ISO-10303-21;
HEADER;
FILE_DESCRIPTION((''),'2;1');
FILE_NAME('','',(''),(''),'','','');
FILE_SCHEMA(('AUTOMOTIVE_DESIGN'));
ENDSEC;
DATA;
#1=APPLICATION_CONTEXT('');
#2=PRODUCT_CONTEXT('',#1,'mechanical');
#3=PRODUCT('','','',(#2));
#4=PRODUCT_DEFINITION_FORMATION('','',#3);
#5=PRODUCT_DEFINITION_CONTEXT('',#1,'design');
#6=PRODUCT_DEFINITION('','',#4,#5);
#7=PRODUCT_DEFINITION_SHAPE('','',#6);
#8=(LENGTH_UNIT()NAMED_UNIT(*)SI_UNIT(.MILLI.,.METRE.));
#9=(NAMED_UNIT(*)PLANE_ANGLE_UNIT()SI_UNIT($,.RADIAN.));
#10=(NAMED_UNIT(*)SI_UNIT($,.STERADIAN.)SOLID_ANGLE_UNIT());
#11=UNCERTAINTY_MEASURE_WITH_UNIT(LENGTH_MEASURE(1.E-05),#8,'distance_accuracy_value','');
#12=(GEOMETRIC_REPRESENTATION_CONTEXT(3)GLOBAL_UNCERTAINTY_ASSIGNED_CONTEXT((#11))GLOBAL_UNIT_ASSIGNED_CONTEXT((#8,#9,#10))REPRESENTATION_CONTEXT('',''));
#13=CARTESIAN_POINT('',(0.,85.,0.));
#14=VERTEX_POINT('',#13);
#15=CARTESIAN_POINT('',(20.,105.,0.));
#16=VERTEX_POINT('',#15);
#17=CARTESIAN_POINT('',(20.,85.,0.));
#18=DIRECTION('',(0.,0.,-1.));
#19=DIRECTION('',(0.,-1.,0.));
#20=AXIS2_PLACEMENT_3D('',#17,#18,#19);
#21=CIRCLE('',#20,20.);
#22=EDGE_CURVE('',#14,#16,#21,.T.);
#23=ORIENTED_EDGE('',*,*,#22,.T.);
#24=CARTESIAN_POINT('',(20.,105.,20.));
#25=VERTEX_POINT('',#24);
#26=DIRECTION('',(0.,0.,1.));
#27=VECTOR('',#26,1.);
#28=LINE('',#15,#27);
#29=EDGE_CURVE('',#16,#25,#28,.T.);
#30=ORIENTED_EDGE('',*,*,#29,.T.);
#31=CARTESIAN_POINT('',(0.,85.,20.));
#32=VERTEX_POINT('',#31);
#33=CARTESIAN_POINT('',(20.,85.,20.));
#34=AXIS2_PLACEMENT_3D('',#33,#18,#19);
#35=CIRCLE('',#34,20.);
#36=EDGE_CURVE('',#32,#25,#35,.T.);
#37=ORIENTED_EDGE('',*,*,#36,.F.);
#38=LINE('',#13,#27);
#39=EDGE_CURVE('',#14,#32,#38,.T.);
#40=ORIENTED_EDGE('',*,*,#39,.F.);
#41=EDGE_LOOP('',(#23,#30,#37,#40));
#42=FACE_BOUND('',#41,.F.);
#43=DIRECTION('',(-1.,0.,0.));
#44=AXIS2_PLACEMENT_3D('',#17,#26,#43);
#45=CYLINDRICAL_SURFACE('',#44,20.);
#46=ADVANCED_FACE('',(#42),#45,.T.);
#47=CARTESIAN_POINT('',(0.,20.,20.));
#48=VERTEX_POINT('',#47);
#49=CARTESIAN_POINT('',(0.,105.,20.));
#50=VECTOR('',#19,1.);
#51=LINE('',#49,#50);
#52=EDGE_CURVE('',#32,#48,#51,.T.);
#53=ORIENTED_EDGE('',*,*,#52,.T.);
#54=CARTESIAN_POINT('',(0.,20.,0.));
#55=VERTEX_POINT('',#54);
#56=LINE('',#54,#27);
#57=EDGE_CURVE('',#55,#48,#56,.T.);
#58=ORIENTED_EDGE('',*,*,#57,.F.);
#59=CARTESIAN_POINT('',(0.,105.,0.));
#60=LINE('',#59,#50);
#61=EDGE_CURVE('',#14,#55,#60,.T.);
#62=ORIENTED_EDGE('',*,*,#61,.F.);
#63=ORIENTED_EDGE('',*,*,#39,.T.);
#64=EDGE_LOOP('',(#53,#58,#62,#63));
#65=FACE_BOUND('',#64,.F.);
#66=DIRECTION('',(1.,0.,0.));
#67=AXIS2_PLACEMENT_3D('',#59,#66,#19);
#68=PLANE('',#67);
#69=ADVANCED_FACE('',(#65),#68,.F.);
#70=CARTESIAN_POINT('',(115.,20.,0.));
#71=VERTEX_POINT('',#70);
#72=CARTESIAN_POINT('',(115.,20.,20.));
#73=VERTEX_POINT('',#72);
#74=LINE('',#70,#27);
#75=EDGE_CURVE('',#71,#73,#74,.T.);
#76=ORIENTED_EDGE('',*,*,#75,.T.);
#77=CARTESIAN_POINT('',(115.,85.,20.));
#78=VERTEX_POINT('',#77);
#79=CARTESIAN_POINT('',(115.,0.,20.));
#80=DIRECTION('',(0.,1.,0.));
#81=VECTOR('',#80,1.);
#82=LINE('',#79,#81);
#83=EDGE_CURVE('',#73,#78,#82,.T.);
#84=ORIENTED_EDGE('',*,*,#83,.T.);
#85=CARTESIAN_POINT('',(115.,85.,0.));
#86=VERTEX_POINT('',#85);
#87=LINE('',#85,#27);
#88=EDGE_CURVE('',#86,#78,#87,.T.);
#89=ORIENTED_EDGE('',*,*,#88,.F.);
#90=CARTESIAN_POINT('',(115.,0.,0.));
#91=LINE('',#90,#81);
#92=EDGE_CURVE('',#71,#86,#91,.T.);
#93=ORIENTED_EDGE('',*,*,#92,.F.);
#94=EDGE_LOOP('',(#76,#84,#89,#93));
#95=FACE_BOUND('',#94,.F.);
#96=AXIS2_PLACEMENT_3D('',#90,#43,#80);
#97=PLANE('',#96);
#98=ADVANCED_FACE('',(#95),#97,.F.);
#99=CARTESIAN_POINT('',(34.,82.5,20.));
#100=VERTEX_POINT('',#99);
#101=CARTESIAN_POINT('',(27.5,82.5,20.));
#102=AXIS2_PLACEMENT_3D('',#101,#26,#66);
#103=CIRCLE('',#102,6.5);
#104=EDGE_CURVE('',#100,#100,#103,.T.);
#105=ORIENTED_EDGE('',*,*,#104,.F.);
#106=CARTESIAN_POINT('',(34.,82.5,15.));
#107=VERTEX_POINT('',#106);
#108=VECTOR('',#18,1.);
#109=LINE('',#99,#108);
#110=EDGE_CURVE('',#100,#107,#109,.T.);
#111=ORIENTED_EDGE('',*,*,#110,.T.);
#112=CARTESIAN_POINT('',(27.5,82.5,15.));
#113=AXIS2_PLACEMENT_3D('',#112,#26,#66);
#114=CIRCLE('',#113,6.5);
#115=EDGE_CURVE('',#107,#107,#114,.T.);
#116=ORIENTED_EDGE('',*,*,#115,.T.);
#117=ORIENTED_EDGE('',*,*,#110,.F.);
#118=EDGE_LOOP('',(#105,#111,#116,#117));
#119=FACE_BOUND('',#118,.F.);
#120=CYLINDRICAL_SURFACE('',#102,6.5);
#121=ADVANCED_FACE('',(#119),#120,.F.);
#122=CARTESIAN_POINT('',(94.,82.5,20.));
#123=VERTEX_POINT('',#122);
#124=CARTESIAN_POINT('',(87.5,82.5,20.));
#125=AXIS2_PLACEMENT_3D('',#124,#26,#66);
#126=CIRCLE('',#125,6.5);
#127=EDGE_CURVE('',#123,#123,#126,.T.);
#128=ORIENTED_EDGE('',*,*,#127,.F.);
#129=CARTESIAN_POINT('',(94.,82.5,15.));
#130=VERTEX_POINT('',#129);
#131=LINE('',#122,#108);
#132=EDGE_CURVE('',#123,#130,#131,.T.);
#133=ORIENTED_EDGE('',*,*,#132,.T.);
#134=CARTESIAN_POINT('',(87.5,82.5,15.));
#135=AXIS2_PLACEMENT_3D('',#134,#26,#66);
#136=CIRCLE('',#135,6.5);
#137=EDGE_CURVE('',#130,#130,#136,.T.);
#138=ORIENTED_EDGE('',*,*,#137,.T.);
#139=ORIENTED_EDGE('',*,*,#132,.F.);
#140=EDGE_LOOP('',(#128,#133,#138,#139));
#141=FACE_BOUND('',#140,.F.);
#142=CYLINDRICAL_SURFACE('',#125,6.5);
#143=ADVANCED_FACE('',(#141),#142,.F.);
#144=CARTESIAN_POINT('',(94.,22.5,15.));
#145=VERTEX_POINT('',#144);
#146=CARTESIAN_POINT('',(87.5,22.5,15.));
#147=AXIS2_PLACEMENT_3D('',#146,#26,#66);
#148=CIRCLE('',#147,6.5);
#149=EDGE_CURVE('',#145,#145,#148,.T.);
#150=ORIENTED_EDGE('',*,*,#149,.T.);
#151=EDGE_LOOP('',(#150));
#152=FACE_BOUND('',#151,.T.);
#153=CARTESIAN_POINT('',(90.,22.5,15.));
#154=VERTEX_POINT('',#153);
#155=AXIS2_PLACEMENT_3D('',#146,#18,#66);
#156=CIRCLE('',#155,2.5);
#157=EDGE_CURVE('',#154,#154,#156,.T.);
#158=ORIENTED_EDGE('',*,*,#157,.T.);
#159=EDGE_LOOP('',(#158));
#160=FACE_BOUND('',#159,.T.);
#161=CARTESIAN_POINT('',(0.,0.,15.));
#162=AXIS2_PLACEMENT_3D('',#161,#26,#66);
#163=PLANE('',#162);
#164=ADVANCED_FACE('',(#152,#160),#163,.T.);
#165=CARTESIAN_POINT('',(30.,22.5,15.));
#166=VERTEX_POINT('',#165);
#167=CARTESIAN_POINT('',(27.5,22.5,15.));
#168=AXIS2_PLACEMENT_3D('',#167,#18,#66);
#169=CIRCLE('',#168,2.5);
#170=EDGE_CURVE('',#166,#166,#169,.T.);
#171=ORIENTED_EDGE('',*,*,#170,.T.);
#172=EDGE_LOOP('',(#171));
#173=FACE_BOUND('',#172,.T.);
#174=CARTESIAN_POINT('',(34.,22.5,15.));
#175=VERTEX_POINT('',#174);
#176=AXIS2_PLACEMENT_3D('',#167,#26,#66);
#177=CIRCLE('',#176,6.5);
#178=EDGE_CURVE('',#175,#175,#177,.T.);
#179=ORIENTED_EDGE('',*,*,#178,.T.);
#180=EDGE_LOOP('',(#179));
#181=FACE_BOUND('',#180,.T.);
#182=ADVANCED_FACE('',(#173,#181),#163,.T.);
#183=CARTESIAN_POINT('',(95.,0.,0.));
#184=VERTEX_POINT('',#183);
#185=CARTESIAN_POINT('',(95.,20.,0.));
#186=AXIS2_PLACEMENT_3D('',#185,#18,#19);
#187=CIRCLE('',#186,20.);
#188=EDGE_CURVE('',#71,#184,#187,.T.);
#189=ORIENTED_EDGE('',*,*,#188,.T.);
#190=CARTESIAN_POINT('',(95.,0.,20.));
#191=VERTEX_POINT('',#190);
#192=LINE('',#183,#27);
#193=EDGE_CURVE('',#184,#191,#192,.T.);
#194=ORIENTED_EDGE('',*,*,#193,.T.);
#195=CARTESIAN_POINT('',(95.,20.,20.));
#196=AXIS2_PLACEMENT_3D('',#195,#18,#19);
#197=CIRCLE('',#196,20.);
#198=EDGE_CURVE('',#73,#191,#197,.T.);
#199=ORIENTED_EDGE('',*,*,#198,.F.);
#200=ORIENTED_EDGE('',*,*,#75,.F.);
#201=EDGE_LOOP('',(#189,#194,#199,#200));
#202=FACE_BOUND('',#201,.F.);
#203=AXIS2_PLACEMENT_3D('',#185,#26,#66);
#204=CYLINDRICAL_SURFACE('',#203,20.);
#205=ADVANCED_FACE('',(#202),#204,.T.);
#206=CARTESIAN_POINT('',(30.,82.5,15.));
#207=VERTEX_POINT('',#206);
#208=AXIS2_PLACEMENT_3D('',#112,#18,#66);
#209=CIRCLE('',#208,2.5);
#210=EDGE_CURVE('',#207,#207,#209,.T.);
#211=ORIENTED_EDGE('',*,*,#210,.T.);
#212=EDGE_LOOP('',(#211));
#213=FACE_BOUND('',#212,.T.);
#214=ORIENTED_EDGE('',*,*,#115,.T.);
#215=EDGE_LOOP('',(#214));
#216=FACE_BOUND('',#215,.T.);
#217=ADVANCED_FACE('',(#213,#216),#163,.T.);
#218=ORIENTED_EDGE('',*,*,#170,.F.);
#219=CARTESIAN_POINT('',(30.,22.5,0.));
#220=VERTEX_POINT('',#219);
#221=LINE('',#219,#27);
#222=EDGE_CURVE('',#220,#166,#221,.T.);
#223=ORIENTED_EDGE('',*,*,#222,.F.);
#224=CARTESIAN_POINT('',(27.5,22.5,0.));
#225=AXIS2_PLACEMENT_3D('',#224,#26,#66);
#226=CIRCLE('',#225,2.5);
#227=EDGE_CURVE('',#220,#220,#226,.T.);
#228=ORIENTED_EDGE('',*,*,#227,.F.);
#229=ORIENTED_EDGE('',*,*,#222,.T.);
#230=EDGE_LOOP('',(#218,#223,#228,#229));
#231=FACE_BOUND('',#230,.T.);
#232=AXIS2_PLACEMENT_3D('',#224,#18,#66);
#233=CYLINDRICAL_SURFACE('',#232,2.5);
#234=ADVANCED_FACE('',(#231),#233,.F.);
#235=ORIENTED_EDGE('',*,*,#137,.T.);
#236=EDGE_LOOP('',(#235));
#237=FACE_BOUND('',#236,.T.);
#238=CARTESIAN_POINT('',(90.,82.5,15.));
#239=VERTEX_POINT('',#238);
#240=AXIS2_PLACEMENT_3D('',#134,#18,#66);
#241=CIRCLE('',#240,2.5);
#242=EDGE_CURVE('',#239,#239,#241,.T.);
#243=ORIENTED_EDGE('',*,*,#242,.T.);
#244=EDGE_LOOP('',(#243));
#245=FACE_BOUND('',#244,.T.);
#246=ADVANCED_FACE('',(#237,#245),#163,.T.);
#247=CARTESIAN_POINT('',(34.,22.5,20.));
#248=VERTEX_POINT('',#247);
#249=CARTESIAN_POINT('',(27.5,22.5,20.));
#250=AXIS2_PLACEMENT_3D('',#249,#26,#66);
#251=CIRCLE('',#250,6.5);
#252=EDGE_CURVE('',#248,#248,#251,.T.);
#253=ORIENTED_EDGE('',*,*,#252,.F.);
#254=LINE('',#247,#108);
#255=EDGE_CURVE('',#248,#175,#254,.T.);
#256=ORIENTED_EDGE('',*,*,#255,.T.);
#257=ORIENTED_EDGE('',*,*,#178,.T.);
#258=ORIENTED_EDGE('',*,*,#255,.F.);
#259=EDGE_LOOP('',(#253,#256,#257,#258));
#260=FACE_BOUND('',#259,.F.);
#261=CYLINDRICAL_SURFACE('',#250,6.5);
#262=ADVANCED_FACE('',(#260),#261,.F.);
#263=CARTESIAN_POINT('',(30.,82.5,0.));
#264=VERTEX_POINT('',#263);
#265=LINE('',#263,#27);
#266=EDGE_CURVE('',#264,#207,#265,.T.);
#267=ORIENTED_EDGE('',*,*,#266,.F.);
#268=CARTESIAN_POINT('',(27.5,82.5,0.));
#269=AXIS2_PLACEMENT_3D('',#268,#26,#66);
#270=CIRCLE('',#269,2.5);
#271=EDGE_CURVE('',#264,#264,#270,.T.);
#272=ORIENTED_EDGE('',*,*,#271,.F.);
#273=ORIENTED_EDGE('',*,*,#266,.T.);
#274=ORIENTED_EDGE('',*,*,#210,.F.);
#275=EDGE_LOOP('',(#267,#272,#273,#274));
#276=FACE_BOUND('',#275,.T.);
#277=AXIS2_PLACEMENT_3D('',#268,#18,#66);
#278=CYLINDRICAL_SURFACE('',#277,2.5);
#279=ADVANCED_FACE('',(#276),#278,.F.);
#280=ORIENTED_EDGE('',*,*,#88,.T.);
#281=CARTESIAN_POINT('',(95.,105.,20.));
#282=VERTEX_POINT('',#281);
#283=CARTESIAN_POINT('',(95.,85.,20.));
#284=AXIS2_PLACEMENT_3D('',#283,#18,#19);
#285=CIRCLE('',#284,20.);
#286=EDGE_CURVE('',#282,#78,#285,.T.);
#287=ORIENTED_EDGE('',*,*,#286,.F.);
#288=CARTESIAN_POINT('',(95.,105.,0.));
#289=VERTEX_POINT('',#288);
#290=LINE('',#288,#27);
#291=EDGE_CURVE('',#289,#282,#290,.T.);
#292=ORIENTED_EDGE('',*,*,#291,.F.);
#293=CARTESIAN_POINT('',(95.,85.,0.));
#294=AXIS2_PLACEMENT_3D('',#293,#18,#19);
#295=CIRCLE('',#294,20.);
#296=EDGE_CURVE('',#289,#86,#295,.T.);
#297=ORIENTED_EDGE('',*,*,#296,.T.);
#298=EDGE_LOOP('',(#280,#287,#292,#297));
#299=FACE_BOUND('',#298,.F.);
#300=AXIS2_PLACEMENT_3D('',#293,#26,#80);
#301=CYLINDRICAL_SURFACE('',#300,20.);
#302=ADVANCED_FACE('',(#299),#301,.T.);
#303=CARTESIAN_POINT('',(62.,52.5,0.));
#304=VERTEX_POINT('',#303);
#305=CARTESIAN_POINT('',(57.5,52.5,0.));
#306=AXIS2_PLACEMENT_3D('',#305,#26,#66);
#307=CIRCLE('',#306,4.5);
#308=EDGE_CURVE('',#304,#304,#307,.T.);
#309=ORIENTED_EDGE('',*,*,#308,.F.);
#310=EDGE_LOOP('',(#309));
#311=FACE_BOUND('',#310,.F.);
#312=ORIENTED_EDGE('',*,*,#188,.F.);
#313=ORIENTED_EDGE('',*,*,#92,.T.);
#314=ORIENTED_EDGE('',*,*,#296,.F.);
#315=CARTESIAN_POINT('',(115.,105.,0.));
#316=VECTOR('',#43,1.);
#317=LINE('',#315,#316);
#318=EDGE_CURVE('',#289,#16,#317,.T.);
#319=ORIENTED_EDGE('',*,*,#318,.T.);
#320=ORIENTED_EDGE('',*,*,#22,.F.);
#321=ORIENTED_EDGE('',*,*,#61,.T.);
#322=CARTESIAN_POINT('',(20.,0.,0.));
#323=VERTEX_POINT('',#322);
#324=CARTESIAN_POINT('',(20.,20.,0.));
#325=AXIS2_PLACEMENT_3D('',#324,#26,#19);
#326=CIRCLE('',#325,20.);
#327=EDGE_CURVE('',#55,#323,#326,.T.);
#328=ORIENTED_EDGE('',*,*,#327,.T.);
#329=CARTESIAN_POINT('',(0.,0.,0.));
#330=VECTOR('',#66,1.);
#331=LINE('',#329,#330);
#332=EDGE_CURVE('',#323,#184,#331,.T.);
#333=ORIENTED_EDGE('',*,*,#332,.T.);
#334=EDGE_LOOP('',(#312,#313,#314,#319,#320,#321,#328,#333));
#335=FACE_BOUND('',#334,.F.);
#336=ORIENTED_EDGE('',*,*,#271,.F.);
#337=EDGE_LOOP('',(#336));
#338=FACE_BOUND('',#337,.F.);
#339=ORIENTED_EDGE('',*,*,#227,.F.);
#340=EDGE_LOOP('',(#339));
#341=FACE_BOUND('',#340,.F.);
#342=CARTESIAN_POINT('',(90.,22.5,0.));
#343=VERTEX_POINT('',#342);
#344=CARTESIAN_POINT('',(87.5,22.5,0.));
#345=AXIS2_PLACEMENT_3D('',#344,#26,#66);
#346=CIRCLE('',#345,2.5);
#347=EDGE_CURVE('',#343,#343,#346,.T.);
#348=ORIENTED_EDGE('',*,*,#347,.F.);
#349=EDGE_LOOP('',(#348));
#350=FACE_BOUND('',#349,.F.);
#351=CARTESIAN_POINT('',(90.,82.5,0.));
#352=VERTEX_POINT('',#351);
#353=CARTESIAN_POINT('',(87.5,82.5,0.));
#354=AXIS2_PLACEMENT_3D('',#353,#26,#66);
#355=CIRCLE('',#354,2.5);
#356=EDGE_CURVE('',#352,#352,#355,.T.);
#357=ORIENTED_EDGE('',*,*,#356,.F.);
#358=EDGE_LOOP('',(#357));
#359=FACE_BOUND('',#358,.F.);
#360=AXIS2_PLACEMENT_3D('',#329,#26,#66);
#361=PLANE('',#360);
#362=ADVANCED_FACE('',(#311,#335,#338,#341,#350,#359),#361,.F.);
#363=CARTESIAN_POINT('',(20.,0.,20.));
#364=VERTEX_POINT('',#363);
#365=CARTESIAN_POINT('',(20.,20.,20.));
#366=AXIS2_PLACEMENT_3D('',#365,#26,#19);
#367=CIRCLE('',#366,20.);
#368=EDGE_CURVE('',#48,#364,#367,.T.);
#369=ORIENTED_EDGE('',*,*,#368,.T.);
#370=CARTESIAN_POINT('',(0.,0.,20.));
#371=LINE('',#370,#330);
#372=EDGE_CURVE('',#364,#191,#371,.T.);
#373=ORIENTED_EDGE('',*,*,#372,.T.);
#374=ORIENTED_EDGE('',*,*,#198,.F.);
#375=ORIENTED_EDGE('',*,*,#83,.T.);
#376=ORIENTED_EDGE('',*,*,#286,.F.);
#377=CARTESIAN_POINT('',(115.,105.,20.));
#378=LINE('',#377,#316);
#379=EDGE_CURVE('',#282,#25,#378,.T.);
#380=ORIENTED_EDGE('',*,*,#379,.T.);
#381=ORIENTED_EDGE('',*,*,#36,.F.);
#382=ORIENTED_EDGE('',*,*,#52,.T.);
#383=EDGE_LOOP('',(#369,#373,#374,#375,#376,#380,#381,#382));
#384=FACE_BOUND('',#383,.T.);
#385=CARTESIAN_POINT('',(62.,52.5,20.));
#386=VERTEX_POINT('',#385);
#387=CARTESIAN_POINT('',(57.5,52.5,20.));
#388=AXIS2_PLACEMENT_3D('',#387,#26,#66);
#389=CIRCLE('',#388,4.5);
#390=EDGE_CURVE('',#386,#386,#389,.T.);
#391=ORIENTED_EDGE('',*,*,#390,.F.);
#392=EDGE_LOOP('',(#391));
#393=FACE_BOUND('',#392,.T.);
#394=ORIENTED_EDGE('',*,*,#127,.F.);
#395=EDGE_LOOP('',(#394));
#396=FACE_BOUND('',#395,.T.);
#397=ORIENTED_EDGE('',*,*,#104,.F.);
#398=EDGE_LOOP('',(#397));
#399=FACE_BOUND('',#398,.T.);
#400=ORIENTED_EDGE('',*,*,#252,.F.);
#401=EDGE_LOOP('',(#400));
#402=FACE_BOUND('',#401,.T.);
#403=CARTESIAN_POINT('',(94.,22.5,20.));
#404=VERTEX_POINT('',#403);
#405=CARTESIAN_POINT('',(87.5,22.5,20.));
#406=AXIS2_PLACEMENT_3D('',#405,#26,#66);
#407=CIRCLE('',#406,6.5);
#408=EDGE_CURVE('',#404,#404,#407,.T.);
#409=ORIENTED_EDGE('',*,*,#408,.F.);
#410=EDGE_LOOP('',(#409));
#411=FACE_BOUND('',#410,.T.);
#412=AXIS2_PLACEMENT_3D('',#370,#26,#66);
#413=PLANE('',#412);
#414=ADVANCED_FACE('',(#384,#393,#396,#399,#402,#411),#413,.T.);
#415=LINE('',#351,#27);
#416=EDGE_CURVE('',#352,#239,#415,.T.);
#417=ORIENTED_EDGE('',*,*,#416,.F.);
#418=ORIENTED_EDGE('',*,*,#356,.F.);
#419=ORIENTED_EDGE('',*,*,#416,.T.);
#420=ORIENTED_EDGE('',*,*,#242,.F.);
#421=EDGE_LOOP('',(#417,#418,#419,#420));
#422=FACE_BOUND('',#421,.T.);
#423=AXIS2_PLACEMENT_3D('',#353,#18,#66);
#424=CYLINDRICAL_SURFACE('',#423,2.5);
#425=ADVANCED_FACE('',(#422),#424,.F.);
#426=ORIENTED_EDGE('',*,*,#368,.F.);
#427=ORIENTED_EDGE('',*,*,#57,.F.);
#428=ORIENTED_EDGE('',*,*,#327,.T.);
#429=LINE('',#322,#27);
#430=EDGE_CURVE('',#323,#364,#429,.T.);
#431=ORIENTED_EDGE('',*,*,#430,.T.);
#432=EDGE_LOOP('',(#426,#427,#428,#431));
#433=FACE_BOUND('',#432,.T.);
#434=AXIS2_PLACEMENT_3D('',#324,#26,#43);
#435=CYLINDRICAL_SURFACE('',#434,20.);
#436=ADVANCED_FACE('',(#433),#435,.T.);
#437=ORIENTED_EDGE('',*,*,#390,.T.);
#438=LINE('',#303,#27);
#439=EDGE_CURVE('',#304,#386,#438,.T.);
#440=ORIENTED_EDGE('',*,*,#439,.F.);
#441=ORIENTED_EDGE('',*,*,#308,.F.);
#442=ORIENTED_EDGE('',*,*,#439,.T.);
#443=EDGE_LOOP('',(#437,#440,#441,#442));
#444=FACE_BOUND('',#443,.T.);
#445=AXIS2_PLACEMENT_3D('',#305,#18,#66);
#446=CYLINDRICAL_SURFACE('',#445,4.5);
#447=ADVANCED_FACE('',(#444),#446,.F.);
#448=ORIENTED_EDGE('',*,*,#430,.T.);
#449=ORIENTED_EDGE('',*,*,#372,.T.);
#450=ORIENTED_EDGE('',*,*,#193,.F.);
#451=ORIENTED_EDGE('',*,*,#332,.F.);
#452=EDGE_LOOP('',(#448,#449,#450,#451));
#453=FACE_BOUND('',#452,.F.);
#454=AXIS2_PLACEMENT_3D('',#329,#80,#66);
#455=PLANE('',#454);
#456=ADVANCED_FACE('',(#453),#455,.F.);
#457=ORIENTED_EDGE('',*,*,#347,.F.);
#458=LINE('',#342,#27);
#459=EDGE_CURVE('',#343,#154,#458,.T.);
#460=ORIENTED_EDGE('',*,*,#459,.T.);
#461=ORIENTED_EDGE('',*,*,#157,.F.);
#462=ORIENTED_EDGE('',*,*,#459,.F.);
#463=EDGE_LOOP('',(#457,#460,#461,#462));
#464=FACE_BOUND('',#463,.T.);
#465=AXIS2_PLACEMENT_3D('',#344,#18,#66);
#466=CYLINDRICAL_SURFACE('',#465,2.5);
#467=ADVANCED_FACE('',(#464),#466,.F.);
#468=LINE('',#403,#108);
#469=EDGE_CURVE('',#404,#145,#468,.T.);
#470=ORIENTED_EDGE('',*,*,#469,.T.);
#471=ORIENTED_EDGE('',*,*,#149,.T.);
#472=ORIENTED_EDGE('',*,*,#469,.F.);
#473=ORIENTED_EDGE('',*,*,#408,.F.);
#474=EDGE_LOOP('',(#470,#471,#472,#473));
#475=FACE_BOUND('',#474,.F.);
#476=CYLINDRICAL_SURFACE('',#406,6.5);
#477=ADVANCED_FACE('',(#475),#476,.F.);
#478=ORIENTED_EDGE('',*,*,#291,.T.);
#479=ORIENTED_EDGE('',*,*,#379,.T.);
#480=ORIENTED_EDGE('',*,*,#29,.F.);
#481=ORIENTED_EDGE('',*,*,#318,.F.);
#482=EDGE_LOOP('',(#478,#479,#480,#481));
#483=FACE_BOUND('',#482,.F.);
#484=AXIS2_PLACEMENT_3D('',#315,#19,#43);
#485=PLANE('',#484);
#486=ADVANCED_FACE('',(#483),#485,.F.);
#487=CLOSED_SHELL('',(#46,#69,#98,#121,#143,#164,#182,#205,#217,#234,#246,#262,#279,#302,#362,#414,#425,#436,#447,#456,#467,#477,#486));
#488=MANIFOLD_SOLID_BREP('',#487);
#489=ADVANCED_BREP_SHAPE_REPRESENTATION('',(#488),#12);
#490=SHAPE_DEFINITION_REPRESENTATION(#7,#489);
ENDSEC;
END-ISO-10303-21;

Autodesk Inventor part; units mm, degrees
ref_plane "YZ Plane" through (0, 0, 0) normal (1, 0, 0) x (0, 1, 0)
ref_plane "XZ Plane" through (0, 0, 0) normal (0, 1, 0) x (-1, 0, 0)
ref_plane "XY Plane" through (0, 0, 0) normal (0, 0, 1) x (1, 0, 0)
sketch "Sketch1" plane through (0, 0, 0) normal (0, 0, 1) x (1, 0, 0)
  line L0 (0, 0) -> (115, 0)
  line L1 (115, 0) -> (115, 105)
  line L2 (115, 105) -> (0, 105)
  line L3 (0, 105) -> (0, 0)
  circle A0 centre (57.5, 52.5) radius 4.5
  line L4 (27.5, 22.5) -> (87.5, 22.5) construction
  line L5 (87.5, 22.5) -> (87.5, 82.5) construction
  line L6 (87.5, 82.5) -> (27.5, 82.5) construction
  line L7 (27.5, 82.5) -> (27.5, 22.5) construction
  circle A1 centre (87.5, 82.5) radius 2.5
  circle A2 centre (27.5, 82.5) radius 2.5
  circle A3 centre (27.5, 22.5) radius 2.5
  circle A4 centre (87.5, 22.5) radius 2.5
  point P0 (57.5, 0)
  point P1 (0, 52.5)
  point P2 (27.5, 52.5)
  point P3 (57.5, 82.5)
  dimension "d0" = 115
  dimension "d1" = 105
  dimension "d2" = 9
  dimension "d3" = 60
  dimension "d4" = 60
  dimension "d5" = 5
  dimension "d6" = 5
  dimension "d7" = 5
  dimension "d8" = 5
extrude "Extrusion1" add sketch "Sketch1" along normal blind 20
fillet "Fillet1" radius 20 4 edges at (0, 105, 10) (115, 105, 10) (115, 0, 10) (0, 0, 10)
sketch "Sketch5" plane through (0, 0, 20) normal (0, 0, 1) x (1, 0, 0)
  circle A0 centre (27.5, 82.5) radius 2.5 projected
  circle A1 centre (87.5, 82.5) radius 2.5 projected
  circle A2 centre (87.5, 22.5) radius 2.5 projected
  circle A3 centre (27.5, 22.5) radius 2.5 projected
  circle A4 centre (87.5, 82.5) radius 6.5
  circle A5 centre (87.5, 22.5) radius 6.5
  circle A6 centre (27.5, 22.5) radius 6.5
  circle A7 centre (27.5, 82.5) radius 6.5
  point P0 (0, 0)
  dimension "d18" = 13
  dimension "d19" = 13
  dimension "d20" = 13
  dimension "d21" = 13
extrude "Extrusion4" cut sketch "Sketch5" against normal blind 5 contours A0 | A1 | A2 | A3 | A4 | A5 | A6 | A7
properties part number "AA030" material "ABS Plastic"
